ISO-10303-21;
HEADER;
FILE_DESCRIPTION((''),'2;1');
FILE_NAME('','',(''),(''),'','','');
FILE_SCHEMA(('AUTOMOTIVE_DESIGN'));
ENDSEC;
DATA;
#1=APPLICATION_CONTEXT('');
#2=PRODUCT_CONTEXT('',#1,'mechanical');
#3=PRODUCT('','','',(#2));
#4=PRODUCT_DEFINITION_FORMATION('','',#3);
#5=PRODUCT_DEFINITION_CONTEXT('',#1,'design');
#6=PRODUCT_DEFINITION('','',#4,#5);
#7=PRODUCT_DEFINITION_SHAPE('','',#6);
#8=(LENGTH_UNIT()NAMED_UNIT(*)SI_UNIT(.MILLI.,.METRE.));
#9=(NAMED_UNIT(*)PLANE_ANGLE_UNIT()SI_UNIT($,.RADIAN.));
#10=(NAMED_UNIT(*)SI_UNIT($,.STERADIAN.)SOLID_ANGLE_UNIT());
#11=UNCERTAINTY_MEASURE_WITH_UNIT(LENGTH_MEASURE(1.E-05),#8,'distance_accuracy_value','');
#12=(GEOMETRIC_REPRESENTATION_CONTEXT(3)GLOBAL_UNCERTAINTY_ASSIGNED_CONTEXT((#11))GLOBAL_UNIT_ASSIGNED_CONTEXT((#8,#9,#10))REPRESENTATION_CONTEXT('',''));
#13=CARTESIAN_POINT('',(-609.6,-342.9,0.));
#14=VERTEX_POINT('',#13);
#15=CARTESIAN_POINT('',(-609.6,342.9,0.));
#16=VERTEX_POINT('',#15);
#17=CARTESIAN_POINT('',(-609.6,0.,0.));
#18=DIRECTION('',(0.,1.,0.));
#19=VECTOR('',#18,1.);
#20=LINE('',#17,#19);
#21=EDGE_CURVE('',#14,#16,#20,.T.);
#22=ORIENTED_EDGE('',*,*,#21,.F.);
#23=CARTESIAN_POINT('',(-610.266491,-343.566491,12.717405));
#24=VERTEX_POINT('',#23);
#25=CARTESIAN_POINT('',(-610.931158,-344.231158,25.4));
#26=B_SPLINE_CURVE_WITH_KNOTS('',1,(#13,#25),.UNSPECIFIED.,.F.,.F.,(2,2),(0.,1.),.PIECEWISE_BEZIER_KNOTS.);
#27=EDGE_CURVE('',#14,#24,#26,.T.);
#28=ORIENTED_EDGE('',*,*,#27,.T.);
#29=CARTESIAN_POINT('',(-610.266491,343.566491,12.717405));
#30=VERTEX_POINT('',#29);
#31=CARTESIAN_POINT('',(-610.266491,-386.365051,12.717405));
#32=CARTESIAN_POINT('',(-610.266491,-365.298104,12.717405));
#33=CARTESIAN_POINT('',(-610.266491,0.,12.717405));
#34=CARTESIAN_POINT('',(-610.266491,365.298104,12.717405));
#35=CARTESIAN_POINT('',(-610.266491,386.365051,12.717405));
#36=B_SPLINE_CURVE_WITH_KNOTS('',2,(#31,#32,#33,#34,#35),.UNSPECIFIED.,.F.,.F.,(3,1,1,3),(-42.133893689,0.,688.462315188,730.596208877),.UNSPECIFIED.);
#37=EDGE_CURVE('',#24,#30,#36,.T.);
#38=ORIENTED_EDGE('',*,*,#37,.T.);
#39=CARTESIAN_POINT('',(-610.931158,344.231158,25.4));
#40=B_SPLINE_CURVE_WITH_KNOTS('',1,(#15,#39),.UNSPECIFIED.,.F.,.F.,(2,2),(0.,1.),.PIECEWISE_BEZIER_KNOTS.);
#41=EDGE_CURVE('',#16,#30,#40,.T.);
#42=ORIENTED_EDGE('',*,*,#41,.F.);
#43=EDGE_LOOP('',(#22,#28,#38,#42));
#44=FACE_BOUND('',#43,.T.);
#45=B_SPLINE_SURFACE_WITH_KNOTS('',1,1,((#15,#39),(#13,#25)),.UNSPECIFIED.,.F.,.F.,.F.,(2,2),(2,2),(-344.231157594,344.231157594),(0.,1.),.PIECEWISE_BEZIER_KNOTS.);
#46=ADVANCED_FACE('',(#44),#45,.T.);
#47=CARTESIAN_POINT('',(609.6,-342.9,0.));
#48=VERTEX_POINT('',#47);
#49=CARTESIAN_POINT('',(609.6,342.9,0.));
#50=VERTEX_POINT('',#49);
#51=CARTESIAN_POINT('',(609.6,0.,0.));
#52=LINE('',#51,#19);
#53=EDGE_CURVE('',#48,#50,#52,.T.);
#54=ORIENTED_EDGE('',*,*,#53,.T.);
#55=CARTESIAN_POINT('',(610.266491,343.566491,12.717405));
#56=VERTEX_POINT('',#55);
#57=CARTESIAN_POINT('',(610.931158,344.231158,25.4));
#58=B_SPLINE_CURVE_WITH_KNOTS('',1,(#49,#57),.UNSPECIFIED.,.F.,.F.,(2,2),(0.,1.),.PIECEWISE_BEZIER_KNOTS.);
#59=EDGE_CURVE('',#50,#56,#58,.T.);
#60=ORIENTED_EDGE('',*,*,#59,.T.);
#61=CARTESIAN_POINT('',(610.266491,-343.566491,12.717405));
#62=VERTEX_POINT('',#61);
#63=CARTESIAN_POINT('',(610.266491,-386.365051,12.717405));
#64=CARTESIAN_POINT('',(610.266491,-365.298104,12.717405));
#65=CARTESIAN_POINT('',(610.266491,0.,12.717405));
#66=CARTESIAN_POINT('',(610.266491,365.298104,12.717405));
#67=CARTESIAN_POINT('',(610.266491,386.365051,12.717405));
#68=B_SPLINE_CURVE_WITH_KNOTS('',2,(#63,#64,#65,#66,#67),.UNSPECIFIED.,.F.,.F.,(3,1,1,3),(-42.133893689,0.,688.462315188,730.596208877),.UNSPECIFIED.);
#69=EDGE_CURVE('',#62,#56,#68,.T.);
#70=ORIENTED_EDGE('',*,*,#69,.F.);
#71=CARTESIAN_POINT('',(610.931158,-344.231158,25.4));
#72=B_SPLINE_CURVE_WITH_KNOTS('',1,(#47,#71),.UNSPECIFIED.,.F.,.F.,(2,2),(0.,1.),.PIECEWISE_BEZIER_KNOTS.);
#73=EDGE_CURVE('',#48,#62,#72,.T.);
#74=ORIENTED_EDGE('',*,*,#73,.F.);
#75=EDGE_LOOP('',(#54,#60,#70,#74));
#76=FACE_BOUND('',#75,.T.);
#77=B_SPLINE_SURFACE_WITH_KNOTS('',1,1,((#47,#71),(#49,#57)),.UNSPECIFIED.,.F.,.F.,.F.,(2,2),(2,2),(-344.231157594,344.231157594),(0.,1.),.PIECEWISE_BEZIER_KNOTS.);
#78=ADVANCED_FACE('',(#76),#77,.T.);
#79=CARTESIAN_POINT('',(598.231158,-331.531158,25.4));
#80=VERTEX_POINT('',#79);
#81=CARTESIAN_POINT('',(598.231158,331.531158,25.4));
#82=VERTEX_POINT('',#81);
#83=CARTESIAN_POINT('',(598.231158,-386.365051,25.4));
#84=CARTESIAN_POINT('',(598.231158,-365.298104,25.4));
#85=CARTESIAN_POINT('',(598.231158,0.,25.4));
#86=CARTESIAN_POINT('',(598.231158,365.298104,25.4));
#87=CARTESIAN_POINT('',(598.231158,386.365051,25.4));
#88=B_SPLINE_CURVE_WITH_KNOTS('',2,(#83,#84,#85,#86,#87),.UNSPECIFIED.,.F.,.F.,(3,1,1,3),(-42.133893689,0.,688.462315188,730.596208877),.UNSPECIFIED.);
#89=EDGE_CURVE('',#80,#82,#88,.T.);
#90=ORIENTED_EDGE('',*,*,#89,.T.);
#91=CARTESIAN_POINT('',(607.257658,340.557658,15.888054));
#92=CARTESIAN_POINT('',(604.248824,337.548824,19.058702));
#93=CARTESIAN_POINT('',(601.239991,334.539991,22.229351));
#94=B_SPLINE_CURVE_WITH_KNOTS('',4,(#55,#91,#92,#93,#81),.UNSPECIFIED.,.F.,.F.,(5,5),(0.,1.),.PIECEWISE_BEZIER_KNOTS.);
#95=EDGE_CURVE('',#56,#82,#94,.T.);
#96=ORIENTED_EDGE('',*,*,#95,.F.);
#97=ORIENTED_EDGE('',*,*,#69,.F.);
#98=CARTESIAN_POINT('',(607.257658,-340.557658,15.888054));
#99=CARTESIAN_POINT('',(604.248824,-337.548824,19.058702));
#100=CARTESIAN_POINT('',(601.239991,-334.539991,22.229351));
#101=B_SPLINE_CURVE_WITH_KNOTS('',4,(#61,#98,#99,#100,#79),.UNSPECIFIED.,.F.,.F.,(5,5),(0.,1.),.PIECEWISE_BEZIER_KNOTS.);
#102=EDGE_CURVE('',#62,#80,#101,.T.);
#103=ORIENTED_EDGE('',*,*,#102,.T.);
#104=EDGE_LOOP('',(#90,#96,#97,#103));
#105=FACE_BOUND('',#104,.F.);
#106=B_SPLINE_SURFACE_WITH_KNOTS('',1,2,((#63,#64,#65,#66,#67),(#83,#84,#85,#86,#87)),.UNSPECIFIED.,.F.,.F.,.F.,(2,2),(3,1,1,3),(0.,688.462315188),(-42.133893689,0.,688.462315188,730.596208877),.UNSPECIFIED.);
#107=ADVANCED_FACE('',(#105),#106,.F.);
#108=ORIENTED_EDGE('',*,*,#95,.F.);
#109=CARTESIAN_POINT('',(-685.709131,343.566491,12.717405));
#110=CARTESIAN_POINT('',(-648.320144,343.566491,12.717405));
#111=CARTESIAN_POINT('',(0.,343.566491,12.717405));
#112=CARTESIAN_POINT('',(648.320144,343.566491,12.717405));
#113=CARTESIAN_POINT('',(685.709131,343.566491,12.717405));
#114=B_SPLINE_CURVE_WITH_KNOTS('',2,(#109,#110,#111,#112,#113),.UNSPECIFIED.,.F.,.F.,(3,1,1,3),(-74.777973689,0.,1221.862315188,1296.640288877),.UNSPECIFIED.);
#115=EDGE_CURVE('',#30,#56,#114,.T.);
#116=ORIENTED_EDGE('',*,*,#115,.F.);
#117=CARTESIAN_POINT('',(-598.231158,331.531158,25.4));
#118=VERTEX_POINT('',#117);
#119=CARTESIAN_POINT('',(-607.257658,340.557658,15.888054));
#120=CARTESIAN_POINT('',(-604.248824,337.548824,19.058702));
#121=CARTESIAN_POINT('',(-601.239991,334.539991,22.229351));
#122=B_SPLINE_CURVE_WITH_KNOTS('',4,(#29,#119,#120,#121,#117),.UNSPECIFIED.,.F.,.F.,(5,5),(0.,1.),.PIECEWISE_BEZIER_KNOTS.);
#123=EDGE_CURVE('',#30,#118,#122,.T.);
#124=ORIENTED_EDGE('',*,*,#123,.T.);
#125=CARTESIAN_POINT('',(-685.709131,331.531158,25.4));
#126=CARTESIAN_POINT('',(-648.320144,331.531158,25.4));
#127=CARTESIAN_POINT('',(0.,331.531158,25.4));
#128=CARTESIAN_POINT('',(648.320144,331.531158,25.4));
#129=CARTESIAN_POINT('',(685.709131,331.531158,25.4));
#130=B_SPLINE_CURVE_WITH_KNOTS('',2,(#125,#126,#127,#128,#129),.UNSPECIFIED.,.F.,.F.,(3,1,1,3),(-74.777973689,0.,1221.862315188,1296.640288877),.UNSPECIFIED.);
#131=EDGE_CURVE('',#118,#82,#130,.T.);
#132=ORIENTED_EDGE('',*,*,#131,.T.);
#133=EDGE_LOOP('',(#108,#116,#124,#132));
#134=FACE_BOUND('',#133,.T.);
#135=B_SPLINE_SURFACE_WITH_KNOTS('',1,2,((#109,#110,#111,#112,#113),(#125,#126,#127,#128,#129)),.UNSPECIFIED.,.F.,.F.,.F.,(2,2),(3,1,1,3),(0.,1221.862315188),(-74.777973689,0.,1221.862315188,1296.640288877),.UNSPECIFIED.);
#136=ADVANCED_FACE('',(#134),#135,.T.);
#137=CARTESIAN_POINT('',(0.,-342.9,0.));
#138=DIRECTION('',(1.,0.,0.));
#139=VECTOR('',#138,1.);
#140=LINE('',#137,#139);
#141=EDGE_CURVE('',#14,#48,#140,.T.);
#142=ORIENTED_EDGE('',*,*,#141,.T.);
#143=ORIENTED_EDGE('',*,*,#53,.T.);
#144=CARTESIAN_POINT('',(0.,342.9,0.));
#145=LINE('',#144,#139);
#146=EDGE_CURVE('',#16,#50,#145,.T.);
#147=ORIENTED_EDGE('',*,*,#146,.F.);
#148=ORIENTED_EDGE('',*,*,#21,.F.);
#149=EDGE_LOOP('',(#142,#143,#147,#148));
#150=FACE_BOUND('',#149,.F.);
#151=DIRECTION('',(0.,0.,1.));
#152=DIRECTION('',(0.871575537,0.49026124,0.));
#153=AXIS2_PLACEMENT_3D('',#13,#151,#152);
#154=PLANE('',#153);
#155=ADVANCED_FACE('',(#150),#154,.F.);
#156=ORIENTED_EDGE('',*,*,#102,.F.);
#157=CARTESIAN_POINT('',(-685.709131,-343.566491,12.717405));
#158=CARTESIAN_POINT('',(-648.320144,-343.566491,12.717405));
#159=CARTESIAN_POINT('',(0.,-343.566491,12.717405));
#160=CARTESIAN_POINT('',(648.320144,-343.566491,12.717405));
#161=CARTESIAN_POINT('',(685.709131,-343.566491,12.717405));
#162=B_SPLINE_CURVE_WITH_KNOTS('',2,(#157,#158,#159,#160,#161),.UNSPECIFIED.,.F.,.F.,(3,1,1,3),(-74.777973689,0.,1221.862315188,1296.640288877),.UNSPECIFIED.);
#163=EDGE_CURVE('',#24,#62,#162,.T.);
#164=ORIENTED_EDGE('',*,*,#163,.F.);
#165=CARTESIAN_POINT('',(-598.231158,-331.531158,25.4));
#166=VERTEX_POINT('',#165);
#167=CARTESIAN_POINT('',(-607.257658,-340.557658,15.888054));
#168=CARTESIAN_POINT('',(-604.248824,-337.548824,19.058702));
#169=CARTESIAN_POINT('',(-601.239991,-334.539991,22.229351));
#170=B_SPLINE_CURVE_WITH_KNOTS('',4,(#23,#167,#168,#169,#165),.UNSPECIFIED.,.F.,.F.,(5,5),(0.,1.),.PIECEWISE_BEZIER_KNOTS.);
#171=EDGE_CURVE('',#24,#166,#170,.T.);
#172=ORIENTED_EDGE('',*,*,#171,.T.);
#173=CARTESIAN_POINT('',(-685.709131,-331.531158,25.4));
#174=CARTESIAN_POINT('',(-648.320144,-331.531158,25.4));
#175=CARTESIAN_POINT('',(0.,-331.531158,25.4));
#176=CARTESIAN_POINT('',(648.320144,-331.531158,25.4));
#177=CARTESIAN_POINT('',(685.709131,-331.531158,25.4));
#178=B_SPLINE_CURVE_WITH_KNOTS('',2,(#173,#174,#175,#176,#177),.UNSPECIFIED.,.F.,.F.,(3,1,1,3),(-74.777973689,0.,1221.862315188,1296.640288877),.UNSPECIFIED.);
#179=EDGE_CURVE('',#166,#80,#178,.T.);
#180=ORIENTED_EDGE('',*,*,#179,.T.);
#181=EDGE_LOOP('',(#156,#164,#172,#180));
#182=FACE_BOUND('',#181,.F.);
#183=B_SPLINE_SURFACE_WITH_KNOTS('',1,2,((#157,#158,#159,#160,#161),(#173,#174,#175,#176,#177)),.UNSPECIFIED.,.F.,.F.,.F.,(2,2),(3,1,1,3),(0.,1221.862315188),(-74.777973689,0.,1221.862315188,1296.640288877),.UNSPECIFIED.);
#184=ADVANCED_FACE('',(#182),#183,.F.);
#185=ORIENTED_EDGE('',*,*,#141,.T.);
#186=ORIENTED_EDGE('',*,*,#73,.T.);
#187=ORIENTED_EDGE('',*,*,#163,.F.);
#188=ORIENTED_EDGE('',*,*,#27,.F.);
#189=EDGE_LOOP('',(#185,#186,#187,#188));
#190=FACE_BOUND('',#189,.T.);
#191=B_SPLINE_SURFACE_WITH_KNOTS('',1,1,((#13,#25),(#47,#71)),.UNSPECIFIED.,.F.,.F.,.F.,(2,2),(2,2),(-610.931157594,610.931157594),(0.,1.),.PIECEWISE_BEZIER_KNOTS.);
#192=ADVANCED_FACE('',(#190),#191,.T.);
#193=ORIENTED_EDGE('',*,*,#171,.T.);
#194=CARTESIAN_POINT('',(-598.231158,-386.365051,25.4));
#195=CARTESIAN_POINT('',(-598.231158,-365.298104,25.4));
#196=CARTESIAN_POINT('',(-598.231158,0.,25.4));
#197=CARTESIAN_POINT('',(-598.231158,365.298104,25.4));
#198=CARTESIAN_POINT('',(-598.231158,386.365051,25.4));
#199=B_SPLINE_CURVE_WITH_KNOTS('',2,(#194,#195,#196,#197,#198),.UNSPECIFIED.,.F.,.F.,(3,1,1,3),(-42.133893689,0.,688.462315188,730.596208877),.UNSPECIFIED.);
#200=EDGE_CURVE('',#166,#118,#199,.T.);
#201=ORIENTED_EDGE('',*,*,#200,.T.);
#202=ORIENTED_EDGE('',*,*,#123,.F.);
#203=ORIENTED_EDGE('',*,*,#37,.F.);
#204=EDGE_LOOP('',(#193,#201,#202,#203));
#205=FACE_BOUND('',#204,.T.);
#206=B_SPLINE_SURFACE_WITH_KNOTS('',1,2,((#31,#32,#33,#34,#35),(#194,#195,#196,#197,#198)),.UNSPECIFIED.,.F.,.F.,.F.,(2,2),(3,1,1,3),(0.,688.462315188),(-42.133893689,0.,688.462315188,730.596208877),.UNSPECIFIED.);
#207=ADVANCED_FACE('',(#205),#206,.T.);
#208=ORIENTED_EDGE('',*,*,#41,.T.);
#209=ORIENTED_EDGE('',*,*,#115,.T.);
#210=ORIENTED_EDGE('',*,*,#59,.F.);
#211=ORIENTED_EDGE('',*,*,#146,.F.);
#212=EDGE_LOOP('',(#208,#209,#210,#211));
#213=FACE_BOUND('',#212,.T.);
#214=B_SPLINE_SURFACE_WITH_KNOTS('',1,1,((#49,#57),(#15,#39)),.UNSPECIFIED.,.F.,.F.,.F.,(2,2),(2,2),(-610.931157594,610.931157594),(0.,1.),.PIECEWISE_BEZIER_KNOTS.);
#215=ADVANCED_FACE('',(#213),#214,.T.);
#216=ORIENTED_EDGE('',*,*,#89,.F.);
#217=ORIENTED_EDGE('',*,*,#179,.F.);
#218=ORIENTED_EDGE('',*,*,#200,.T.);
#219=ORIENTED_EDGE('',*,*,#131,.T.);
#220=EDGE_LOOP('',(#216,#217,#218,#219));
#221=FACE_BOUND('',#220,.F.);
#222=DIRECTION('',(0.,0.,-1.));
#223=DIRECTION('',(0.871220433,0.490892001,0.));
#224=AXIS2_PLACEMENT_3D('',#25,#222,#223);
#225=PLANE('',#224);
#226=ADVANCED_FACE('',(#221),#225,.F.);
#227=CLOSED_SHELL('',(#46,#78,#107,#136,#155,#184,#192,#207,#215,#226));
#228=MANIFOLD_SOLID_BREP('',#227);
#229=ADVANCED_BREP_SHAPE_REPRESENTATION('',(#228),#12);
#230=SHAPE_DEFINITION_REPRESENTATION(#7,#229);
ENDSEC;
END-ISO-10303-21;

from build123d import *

# Parameters (mm, degrees)
F0_W     = 1219.2
F0_H     = 685.8
F1_DEPTH = 25.4
F1_TAPER = -3
F2_SIZE  = 12.7


with BuildPart() as f1:
    # F0 (on Top) → F1 (new body)
    with BuildSketch(Plane.XY):
        Rectangle(F0_W, F0_H)
    extrude(amount=F1_DEPTH, taper=F1_TAPER)

    # F2
    f2_edges = [f1.edges().sort_by_distance(p)[0] for p in [
        (610.931158, 0, 25.4),
        (0, 344.231158, 25.4),
        (-610.931158, 0, 25.4),
        (0, -344.231158, 25.4),
    ]]
    chamfer(f2_edges, length=F2_SIZE)


solid = f1.part
